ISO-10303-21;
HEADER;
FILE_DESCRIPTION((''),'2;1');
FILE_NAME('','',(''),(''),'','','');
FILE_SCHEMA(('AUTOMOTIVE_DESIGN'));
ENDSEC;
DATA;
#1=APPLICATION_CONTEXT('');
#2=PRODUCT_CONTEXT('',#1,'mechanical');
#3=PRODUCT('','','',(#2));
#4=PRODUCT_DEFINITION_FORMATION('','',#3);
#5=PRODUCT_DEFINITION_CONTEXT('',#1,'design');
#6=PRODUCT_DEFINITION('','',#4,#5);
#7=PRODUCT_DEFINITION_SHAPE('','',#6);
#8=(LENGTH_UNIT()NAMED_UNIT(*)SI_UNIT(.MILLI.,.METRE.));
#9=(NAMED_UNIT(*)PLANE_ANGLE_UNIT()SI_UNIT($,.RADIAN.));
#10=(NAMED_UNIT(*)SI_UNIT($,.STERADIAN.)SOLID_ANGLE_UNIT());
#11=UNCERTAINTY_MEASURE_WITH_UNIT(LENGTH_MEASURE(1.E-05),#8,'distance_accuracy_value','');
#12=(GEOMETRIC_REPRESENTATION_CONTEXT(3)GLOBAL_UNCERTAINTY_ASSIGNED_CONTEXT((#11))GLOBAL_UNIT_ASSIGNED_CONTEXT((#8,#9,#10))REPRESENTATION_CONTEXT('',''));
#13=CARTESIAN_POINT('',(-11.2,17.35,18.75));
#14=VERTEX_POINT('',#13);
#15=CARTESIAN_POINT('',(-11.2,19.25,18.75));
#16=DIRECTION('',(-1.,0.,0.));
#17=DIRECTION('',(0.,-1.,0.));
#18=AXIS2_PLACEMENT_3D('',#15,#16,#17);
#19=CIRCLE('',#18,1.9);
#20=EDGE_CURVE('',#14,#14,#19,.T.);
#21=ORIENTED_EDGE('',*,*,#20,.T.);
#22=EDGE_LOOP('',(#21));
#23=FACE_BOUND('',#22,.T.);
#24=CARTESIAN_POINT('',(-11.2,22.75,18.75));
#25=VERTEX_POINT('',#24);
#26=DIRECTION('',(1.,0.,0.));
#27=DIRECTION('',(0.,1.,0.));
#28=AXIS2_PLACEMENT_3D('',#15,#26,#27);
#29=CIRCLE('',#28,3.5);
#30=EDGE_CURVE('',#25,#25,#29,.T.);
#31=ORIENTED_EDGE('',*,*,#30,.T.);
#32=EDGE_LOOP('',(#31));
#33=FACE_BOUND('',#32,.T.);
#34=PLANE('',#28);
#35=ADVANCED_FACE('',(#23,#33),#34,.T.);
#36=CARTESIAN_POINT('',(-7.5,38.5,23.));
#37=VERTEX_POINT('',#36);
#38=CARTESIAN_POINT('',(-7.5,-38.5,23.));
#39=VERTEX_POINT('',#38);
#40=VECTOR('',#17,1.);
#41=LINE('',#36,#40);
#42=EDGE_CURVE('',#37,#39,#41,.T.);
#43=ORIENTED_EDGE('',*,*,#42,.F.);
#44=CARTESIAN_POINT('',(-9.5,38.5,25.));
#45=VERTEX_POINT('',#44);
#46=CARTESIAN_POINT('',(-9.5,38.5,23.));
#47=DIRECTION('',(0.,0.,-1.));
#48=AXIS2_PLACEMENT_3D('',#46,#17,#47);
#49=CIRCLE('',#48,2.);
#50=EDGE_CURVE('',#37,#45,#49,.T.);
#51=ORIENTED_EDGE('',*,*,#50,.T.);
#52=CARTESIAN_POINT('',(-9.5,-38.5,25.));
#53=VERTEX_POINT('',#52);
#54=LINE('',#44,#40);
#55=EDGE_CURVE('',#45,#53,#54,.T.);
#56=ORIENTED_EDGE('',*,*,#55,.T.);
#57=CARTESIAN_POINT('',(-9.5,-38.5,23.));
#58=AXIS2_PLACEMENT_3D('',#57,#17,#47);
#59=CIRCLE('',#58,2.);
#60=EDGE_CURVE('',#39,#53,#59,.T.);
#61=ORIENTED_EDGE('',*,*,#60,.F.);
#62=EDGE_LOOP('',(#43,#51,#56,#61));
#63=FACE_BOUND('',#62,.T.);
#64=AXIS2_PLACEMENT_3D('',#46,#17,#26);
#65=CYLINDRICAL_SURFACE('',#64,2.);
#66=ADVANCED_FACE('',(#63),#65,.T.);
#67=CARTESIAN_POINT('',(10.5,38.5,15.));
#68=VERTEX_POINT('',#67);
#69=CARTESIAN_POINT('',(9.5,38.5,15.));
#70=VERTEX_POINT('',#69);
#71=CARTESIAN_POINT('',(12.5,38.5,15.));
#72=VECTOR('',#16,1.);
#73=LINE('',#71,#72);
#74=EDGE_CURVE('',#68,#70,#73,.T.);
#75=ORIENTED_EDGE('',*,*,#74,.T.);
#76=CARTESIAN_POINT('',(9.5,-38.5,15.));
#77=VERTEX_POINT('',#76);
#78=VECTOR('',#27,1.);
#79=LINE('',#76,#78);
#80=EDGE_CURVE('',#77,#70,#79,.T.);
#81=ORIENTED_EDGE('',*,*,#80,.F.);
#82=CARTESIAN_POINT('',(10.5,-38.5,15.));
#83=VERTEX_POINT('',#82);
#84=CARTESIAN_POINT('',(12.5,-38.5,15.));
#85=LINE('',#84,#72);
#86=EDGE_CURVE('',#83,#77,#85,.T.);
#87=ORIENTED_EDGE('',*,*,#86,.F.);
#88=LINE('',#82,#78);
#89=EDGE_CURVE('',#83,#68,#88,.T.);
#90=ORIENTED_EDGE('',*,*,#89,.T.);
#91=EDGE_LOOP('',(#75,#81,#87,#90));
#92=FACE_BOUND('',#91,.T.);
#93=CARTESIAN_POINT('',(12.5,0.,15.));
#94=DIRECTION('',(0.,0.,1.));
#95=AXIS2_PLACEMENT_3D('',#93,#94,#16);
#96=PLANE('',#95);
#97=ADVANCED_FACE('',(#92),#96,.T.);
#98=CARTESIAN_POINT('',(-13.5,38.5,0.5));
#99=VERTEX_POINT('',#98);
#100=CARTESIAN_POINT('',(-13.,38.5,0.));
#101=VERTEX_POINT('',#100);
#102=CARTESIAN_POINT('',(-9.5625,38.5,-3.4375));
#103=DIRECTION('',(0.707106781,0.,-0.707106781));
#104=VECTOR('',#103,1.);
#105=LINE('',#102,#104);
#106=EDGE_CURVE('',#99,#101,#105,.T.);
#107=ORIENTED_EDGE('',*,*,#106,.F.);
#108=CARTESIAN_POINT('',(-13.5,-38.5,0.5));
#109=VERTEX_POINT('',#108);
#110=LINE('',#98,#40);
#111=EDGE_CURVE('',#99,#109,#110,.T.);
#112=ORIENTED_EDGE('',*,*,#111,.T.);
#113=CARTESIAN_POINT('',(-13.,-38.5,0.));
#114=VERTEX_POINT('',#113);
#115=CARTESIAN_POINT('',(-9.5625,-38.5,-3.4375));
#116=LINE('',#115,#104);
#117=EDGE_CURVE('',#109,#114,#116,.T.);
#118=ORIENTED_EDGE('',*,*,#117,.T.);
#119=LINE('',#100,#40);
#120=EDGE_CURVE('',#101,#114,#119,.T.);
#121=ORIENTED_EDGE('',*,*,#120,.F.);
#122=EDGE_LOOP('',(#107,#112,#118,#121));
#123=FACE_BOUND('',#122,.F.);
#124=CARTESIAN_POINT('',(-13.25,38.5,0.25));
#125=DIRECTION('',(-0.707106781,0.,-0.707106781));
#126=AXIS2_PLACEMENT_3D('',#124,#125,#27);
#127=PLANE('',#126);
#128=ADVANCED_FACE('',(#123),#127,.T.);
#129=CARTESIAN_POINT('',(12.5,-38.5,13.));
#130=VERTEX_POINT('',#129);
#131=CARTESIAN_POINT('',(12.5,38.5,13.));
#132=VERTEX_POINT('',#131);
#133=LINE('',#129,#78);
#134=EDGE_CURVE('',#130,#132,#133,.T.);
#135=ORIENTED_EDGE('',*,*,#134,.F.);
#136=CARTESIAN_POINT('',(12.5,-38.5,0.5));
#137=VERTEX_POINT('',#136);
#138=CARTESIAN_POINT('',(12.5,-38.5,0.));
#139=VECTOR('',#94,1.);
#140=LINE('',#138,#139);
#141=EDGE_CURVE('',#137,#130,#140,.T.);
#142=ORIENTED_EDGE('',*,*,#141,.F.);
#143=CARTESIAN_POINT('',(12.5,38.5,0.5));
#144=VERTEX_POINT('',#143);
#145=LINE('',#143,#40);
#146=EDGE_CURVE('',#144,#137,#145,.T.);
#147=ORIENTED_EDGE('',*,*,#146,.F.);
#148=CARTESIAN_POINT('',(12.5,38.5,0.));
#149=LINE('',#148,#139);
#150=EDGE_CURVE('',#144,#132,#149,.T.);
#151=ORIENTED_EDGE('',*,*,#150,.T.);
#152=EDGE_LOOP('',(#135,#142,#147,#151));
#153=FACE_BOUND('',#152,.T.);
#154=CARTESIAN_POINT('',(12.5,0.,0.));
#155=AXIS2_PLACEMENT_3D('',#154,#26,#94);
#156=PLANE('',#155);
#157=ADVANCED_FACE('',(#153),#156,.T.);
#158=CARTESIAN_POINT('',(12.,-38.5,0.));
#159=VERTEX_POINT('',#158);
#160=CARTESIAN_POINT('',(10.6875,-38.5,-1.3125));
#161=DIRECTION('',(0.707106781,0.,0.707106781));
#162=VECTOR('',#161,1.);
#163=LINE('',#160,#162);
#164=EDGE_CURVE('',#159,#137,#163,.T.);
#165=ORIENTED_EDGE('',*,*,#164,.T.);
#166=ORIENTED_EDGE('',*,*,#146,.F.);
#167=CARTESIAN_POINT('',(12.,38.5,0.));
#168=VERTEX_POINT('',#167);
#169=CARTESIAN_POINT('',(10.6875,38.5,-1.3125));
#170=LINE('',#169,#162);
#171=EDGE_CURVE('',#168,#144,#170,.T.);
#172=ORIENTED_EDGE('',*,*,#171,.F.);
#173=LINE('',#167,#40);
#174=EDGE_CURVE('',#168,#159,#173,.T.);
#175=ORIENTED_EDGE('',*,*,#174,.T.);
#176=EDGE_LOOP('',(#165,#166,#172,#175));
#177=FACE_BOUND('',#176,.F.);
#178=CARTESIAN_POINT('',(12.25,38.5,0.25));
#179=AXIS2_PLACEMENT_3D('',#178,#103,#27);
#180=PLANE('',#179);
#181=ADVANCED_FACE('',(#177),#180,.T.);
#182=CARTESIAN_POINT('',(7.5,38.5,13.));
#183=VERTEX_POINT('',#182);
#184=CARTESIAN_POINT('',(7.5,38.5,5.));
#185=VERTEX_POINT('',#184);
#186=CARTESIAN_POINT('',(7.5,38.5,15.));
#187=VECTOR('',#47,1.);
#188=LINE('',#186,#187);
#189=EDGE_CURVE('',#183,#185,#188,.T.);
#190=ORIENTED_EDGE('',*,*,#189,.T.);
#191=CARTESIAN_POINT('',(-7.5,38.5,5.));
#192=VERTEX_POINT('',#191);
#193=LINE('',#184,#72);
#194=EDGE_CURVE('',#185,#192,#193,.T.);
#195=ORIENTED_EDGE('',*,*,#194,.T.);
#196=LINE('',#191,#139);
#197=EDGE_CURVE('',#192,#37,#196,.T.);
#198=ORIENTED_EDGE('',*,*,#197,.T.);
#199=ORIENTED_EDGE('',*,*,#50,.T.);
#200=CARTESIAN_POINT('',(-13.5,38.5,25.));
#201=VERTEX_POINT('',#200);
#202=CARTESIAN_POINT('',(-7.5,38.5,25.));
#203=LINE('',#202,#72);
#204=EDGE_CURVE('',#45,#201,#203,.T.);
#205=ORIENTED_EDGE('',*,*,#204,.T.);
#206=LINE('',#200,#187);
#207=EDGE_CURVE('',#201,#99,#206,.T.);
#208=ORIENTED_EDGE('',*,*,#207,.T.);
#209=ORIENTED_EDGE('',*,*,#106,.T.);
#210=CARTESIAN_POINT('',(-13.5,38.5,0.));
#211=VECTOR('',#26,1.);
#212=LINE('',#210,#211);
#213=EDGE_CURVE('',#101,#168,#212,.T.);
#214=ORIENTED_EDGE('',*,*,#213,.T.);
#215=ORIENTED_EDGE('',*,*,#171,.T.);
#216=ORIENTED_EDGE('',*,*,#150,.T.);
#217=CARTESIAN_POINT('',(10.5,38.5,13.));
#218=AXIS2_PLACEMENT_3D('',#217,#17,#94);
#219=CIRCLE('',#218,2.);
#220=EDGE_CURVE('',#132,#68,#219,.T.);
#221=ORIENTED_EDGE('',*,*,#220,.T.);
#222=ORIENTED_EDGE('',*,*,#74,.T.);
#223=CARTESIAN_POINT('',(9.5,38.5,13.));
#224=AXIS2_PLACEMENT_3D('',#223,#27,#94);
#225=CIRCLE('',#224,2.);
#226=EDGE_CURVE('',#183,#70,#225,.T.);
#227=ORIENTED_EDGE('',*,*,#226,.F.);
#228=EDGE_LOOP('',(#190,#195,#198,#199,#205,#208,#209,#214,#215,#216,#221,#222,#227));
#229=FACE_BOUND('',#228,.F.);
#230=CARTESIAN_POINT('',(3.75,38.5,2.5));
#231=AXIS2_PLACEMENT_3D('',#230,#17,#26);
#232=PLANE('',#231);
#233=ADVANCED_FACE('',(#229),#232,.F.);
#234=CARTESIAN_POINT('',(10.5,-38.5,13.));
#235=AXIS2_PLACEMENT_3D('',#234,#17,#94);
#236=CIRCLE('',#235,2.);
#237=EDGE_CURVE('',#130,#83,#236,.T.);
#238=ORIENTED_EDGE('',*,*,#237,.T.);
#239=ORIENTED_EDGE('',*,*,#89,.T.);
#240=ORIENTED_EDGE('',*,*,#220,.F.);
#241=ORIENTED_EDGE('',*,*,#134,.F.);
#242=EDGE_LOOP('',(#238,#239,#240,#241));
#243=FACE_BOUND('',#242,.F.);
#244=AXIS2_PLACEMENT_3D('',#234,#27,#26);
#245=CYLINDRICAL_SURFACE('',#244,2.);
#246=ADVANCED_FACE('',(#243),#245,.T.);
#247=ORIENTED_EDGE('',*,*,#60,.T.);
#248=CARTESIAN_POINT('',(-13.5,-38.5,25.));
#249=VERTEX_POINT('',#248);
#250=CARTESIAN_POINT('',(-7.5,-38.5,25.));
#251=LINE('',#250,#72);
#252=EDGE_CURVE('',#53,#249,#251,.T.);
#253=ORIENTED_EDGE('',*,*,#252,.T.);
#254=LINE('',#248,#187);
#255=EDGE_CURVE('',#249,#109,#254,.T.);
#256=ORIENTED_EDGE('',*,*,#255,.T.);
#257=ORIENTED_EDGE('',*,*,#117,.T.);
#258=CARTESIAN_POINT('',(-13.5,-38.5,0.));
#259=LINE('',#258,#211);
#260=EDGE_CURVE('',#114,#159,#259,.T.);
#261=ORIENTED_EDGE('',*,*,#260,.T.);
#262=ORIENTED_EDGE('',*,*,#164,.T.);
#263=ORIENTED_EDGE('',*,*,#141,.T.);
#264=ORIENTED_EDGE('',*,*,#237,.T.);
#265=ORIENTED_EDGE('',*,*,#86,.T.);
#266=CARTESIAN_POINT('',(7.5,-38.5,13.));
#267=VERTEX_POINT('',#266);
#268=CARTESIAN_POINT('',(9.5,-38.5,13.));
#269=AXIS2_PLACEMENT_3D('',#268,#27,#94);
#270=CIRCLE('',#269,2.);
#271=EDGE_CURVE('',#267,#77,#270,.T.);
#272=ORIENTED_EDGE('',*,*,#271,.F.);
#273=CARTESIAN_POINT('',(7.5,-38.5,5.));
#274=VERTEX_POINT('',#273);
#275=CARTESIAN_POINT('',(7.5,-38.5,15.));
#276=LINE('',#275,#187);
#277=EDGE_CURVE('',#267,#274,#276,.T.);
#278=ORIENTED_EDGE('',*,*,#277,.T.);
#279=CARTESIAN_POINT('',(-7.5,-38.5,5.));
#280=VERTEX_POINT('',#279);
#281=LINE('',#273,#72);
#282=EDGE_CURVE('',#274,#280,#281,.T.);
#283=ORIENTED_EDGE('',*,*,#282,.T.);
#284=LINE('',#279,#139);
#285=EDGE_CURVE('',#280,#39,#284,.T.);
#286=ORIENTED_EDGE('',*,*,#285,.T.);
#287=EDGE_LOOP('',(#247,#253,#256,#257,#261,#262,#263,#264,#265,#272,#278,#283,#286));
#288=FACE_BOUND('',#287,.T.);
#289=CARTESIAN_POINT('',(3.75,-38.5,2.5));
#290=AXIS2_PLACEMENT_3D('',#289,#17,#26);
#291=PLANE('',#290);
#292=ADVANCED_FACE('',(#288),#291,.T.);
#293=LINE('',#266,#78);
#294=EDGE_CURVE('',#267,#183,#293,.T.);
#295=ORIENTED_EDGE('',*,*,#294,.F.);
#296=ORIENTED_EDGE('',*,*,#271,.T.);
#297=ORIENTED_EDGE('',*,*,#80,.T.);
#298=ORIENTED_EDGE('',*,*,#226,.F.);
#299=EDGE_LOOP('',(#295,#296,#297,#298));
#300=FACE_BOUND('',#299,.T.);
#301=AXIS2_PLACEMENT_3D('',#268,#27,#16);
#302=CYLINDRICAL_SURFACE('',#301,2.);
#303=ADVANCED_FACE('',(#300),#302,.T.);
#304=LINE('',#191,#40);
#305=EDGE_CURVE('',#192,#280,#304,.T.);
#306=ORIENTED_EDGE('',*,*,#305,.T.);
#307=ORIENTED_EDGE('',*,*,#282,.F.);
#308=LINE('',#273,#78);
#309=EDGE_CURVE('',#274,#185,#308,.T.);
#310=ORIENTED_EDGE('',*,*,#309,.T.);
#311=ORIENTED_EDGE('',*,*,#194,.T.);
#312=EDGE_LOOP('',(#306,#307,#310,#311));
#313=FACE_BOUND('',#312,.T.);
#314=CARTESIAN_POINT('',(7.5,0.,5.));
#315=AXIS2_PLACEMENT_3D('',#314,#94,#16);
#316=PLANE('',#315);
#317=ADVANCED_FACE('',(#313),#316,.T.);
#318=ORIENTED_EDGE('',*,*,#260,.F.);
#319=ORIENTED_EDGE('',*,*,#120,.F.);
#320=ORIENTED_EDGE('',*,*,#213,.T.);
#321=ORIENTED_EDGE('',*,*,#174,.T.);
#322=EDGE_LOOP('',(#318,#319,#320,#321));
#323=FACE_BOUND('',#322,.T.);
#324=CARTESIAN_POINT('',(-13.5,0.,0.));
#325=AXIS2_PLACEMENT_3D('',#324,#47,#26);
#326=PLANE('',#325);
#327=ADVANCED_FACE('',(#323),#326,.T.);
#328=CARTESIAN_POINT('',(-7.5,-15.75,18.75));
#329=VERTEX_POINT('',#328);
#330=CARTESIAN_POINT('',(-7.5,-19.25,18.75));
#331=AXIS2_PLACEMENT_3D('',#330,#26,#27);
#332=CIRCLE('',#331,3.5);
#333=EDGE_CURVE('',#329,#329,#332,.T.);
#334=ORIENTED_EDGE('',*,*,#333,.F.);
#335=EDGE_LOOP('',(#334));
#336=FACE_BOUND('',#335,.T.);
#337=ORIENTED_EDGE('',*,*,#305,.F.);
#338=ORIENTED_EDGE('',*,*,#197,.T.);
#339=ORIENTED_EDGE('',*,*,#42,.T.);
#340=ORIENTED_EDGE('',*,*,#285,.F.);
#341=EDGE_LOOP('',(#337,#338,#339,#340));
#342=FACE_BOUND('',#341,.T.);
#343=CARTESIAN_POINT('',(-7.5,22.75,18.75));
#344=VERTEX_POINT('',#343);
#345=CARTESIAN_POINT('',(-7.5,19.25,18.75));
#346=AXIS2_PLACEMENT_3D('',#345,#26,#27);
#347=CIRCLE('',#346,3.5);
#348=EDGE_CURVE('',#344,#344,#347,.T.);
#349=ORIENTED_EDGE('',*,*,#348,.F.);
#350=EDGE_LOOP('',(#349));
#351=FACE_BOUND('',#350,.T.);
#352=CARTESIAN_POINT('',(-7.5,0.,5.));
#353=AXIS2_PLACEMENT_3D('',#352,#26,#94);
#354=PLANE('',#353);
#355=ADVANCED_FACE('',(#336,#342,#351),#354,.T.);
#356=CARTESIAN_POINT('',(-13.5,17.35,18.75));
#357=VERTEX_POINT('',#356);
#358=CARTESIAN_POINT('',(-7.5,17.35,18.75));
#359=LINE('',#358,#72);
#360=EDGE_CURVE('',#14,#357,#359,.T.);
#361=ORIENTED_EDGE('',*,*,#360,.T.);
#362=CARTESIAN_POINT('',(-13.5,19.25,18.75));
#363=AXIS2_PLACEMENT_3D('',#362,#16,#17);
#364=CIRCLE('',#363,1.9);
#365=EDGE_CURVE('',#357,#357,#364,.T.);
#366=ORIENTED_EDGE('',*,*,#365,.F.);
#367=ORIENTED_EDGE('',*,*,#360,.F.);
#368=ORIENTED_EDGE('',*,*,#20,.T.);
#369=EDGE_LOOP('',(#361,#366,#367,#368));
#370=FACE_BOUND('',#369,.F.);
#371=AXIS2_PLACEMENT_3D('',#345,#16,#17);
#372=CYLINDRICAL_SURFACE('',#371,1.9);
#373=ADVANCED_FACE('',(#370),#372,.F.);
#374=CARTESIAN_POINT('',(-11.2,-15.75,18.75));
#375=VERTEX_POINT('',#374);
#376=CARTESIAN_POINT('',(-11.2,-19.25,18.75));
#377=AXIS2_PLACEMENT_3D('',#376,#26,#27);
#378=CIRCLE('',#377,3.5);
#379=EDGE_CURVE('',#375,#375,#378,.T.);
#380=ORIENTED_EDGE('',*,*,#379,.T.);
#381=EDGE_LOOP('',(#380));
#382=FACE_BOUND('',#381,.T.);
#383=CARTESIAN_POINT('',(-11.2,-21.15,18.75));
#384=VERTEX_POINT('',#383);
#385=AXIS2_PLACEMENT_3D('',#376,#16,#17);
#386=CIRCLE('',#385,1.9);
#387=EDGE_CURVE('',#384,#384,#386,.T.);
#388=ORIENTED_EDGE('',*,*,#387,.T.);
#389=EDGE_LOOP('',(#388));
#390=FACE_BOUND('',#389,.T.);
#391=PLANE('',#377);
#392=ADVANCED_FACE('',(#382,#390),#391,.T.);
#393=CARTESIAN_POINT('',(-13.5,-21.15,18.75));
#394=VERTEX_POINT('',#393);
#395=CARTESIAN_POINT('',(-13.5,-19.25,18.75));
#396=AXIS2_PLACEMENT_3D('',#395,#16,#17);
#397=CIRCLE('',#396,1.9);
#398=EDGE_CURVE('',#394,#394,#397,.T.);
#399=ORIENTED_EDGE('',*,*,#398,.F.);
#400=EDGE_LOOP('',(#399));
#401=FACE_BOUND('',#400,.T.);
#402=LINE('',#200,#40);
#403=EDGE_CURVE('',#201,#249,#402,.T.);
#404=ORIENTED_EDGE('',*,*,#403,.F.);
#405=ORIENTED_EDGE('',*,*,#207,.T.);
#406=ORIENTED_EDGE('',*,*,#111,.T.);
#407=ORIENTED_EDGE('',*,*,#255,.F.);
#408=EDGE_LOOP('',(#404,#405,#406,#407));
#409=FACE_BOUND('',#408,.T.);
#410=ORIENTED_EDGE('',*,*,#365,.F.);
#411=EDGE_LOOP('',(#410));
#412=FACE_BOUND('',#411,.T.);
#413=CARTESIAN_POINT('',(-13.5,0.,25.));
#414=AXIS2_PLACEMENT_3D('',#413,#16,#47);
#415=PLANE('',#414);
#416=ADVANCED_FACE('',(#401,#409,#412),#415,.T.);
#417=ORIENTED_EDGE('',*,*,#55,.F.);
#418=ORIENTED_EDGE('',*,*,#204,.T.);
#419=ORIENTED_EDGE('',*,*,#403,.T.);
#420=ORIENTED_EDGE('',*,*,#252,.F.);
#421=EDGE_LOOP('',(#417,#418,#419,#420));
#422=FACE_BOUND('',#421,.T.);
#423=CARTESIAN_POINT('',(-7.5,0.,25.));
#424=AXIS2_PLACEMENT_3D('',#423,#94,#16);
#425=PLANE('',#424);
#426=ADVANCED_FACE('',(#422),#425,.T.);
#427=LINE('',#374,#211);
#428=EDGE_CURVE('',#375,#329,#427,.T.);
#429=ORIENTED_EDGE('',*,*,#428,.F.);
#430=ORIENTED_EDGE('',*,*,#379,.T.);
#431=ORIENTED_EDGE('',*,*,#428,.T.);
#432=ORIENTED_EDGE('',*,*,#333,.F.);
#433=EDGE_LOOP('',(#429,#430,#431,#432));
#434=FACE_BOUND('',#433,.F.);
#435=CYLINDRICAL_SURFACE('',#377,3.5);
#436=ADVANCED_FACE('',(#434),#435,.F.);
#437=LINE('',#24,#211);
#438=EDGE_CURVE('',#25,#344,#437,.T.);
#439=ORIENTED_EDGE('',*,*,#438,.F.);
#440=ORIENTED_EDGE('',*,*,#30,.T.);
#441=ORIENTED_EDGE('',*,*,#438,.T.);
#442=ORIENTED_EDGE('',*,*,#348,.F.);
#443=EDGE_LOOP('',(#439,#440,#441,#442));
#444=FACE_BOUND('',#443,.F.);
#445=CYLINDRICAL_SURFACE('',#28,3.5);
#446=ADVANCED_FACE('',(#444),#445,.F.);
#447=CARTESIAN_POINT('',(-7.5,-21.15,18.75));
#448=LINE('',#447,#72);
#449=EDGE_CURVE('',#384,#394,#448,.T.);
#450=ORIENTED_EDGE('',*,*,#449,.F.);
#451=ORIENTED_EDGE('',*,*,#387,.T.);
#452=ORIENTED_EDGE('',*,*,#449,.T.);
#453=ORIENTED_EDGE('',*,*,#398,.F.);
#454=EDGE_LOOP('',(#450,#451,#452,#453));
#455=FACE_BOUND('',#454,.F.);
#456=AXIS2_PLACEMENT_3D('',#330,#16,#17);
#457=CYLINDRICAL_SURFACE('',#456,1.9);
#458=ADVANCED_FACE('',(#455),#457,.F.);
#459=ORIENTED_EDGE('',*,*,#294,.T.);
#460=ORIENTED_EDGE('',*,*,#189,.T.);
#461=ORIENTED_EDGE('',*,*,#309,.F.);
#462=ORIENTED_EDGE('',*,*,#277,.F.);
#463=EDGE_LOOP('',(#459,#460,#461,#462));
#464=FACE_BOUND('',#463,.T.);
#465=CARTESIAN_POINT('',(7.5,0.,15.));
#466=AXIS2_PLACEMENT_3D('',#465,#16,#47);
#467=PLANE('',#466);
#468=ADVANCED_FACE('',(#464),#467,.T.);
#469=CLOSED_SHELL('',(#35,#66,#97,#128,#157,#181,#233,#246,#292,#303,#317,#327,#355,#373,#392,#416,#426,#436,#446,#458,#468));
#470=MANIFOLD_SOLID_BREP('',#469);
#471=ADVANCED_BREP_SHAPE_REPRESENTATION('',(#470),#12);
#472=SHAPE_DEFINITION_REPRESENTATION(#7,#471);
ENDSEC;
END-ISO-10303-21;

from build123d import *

# Parameters (mm, degrees)
F0_W           = 7.5
F0_H           = 5
F1_DEPTH       = 38.5
F3_D           = 3.8
F3_DEPTH       = 6
F3_CBORE_D     = 7
F3_CBORE_DEPTH = 3.7
F4_R           = 2
F5_SIZE        = 0.5


with BuildPart() as f1:
    # F0 (on Front) → F1 (new body, symmetric)
    with BuildSketch(Plane.XZ):
        with Locations((3.75, 2.5)):
            Rectangle(F0_W, F0_H)
        with Locations((-3.75, 2.5)):
            Rectangle(F0_W, F0_H)
        Polygon((7.5, 5), (7.5, 0), (12.5, 0), (12.5, 15), (7.5, 15), align=None)
        Polygon((-13.5, 0), (-7.5, 0), (-7.5, 5), (-7.5, 25), (-13.5, 25), align=None)
    extrude(amount=F1_DEPTH, both=True)

    # F3
    with Locations(Plane.YZ.offset(-7.5)):
        with Locations((-19.25, 18.75), (19.25, 18.75)):
            CounterBoreHole(F3_D / 2, F3_CBORE_D / 2, F3_CBORE_DEPTH, depth=F3_DEPTH)

    # F4
    f4_edges = [f1.edges().sort_by_distance(p)[0] for p in [
        (12.5, 0, 15),
        (7.5, 0, 15),
        (-7.5, 0, 25),
    ]]
    fillet(f4_edges, radius=F4_R)

    # F5
    f5_edges = [f1.edges().sort_by_distance(p)[0] for p in [
        (12.5, 0, 0),
        (-13.5, 0, 0),
    ]]
    chamfer(f5_edges, length=F5_SIZE)


solid = f1.part
